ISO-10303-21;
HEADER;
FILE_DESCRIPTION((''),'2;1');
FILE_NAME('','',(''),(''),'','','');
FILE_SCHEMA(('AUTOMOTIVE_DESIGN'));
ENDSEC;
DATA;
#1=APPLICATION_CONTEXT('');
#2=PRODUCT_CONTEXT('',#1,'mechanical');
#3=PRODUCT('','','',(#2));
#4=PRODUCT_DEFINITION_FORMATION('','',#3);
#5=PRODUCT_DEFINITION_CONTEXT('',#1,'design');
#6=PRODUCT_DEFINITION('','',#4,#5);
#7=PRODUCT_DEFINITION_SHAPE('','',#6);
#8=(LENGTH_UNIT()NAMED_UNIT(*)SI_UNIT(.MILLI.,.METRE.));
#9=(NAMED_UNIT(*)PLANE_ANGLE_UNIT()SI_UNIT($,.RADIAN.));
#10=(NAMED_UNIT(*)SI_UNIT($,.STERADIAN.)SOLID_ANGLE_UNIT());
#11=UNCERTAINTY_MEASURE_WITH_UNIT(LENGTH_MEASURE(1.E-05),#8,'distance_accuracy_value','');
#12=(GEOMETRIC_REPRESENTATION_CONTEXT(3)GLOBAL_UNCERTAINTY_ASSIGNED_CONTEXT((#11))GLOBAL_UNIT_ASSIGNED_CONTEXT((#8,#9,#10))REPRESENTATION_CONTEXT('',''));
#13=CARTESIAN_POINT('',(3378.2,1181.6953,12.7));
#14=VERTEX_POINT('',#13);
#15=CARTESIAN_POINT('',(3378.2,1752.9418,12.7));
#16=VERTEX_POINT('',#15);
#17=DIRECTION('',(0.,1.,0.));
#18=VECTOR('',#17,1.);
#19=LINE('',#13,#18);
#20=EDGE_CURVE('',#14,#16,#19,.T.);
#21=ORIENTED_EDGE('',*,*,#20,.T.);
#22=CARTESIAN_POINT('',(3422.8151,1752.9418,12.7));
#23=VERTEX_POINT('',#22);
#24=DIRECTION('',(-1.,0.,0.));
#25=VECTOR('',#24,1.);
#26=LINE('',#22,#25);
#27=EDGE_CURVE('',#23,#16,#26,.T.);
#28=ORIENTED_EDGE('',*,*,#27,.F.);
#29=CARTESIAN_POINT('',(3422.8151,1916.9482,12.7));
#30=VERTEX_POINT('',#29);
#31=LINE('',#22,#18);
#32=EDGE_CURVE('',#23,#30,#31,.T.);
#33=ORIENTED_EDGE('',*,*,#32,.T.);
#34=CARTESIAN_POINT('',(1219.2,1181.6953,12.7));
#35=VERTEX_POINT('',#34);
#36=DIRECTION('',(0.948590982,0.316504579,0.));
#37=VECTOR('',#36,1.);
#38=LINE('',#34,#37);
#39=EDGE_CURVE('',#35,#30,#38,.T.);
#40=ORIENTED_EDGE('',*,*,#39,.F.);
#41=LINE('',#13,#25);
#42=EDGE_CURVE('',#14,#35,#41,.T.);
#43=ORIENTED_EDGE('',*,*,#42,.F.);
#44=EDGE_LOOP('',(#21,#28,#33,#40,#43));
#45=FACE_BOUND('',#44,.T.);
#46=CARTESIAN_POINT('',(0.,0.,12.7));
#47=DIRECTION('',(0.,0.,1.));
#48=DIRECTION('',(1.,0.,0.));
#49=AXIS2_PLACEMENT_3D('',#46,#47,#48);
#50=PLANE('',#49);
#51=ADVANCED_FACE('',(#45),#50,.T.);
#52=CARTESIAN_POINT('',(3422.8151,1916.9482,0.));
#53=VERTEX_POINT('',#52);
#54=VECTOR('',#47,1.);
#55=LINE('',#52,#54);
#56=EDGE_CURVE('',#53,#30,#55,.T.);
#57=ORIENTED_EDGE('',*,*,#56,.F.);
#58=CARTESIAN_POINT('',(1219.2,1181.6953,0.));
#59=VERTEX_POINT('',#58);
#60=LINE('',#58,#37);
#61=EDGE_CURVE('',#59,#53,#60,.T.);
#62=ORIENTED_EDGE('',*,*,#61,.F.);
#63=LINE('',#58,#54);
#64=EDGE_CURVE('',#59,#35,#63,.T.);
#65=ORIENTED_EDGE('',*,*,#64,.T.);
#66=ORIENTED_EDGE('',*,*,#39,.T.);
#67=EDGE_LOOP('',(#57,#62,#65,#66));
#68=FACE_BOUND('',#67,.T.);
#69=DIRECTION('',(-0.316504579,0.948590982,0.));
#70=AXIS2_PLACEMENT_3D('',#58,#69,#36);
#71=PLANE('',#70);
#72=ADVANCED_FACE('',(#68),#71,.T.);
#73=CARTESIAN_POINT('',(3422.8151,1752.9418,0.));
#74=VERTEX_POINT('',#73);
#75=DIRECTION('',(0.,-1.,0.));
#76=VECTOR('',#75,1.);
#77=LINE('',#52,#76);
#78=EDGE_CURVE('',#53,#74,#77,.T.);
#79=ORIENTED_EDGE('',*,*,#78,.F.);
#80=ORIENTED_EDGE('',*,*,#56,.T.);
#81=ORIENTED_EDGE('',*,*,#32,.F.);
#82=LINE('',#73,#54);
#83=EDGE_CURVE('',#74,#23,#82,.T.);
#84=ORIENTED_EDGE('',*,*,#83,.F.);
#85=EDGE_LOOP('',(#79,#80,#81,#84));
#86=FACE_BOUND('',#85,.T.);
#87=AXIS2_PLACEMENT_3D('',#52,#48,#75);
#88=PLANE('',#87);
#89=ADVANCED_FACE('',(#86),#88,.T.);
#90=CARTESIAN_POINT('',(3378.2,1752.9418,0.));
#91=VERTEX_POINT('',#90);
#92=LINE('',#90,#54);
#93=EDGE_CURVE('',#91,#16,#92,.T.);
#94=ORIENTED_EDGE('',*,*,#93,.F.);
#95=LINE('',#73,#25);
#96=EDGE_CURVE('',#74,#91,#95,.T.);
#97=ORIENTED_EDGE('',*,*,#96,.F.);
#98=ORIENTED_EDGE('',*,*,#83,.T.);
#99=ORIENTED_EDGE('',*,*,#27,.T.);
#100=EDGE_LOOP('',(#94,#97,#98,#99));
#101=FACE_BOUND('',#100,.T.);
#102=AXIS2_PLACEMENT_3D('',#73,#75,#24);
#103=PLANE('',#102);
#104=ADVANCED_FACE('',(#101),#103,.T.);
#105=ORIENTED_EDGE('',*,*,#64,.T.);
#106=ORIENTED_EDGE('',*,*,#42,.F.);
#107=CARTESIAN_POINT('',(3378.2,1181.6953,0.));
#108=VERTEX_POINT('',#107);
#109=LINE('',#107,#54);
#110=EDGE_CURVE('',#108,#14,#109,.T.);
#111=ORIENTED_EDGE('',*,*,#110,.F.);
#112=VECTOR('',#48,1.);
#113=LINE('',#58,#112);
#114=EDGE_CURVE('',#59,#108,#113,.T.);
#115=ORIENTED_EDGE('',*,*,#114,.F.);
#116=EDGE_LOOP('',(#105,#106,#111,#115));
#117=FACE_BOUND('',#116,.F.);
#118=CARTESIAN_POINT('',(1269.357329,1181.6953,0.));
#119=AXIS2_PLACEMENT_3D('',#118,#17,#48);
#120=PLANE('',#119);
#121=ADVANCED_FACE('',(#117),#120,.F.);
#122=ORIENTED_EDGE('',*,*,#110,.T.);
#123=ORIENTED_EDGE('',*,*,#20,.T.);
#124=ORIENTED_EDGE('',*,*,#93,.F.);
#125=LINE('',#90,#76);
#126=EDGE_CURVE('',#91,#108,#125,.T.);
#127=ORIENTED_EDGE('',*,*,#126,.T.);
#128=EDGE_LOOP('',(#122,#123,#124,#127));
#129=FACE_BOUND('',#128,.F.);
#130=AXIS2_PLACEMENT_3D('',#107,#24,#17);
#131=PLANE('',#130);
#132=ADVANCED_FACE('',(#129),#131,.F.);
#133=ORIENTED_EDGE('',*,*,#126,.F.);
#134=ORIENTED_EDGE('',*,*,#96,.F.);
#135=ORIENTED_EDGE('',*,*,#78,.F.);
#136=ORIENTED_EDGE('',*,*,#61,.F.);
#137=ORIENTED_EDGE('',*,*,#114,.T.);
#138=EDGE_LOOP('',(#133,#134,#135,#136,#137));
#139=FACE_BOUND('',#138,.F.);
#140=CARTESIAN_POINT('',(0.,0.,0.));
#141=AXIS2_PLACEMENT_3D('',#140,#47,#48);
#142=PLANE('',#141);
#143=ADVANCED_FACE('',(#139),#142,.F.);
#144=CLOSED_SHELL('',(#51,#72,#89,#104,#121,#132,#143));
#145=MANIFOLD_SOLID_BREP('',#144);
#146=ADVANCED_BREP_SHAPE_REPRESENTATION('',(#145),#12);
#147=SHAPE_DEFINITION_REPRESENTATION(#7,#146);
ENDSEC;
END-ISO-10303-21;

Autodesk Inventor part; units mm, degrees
ref_plane "YZ Plane" through (0, 0, 0) normal (1, 0, 0) x (0, 1, 0)
ref_plane "XZ Plane" through (0, 0, 0) normal (0, 1, 0) x (-1, 0, 0)
ref_plane "XY Plane" through (0, 0, 0) normal (0, 0, 1) x (1, 0, 0)
sketch "Sketch1" plane through (0, 0, 0) normal (0, 0, 1) x (1, 0, 0)
  line L0 (0, 0) -> (0, 758.1646)
  line L1 (0, 0) -> (1219.2, 0)
  line L2 (0, 758.1646) -> (3365.5, 1881.0892)
  line L3 (12.7, 762.4021) -> (12.7, 0)
  line L4 (3365.5, 1881.0892) -> (3365.5, 1733.8182)
  line L5 (3365.5, 1733.8182) -> (101.6, 644.7932)
  line L6 (101.6, 644.7932) -> (12.7, 644.7932)
  line L7 (1219.2, 0) -> (1219.2, 1164.9599)
  line L8 (0, 758.1646) -> (-35.0901, 746.4565)
  line L9 (-35.0901, 746.4565) -> (-35.0901, 644.7932)
  line L10 (-35.0901, 644.7932) -> (0, 644.7932)
  line L11 (-35.0901, 746.4565) -> (-40.1146, 761.5154)
  line L12 (-40.1146, 761.5154) -> (1219.2, 1181.6953)
  line L13 (1219.2, 1181.6953) -> (1219.2, 1164.9599)
  line L14 (1219.2, 1181.6953) -> (3378.2, 1181.6953)
  line L15 (3378.2, 1181.6953) -> (3378.2, 0)
  line L16 (3378.2, 0) -> (1219.2, 0)
  line L17 (3365.5, 1881.0892) -> (3422.8151, 1900.2128)
  line L18 (3422.8151, 1900.2128) -> (3422.8151, 1752.9418)
  line L19 (3365.5, 1733.8182) -> (3422.8151, 1752.9418)
  line L20 (3422.8151, 1752.9418) -> (3365.5, 1752.9418)
  line L21 (1219.2, 1181.6953) -> (3422.8151, 1916.9482)
  line L22 (3422.8151, 1916.9482) -> (3422.8151, 1900.2128)
  line L23 (3378.2, 1181.6953) -> (3378.2, 1752.9418)
  line L24 (3378.2, 1752.9418) -> (3422.8151, 1752.9418)
  line L25 (3422.8151, 1752.9418) -> (3422.8151, 1900.2128)
  dimension "d1" = 758.1646
  dimension "d3" = 12.7
  dimension "d4" = 3352.8
  dimension "d6" = 139.7
  dimension "d8" = 88.9
  dimension "d9" = 1089.025
  dimension "d12" = 47.7901
  dimension "d14" = 15.875
  dimension "d16" = 1219.2
  dimension "d17" = 2159
  dimension "d20" = 57.3151
extrude "Extrusion1" add sketch "Sketch1" along normal blind 12.7 contours L14 L2 L4 L5 | L5 L19 L23 L14 | L14 L21 L22 L17 L2 | L4 L20 L23 L19 | L17 L18 L20 L4
properties part number "OSB_For_Side_And_Top" material "Wood (Birch)"
